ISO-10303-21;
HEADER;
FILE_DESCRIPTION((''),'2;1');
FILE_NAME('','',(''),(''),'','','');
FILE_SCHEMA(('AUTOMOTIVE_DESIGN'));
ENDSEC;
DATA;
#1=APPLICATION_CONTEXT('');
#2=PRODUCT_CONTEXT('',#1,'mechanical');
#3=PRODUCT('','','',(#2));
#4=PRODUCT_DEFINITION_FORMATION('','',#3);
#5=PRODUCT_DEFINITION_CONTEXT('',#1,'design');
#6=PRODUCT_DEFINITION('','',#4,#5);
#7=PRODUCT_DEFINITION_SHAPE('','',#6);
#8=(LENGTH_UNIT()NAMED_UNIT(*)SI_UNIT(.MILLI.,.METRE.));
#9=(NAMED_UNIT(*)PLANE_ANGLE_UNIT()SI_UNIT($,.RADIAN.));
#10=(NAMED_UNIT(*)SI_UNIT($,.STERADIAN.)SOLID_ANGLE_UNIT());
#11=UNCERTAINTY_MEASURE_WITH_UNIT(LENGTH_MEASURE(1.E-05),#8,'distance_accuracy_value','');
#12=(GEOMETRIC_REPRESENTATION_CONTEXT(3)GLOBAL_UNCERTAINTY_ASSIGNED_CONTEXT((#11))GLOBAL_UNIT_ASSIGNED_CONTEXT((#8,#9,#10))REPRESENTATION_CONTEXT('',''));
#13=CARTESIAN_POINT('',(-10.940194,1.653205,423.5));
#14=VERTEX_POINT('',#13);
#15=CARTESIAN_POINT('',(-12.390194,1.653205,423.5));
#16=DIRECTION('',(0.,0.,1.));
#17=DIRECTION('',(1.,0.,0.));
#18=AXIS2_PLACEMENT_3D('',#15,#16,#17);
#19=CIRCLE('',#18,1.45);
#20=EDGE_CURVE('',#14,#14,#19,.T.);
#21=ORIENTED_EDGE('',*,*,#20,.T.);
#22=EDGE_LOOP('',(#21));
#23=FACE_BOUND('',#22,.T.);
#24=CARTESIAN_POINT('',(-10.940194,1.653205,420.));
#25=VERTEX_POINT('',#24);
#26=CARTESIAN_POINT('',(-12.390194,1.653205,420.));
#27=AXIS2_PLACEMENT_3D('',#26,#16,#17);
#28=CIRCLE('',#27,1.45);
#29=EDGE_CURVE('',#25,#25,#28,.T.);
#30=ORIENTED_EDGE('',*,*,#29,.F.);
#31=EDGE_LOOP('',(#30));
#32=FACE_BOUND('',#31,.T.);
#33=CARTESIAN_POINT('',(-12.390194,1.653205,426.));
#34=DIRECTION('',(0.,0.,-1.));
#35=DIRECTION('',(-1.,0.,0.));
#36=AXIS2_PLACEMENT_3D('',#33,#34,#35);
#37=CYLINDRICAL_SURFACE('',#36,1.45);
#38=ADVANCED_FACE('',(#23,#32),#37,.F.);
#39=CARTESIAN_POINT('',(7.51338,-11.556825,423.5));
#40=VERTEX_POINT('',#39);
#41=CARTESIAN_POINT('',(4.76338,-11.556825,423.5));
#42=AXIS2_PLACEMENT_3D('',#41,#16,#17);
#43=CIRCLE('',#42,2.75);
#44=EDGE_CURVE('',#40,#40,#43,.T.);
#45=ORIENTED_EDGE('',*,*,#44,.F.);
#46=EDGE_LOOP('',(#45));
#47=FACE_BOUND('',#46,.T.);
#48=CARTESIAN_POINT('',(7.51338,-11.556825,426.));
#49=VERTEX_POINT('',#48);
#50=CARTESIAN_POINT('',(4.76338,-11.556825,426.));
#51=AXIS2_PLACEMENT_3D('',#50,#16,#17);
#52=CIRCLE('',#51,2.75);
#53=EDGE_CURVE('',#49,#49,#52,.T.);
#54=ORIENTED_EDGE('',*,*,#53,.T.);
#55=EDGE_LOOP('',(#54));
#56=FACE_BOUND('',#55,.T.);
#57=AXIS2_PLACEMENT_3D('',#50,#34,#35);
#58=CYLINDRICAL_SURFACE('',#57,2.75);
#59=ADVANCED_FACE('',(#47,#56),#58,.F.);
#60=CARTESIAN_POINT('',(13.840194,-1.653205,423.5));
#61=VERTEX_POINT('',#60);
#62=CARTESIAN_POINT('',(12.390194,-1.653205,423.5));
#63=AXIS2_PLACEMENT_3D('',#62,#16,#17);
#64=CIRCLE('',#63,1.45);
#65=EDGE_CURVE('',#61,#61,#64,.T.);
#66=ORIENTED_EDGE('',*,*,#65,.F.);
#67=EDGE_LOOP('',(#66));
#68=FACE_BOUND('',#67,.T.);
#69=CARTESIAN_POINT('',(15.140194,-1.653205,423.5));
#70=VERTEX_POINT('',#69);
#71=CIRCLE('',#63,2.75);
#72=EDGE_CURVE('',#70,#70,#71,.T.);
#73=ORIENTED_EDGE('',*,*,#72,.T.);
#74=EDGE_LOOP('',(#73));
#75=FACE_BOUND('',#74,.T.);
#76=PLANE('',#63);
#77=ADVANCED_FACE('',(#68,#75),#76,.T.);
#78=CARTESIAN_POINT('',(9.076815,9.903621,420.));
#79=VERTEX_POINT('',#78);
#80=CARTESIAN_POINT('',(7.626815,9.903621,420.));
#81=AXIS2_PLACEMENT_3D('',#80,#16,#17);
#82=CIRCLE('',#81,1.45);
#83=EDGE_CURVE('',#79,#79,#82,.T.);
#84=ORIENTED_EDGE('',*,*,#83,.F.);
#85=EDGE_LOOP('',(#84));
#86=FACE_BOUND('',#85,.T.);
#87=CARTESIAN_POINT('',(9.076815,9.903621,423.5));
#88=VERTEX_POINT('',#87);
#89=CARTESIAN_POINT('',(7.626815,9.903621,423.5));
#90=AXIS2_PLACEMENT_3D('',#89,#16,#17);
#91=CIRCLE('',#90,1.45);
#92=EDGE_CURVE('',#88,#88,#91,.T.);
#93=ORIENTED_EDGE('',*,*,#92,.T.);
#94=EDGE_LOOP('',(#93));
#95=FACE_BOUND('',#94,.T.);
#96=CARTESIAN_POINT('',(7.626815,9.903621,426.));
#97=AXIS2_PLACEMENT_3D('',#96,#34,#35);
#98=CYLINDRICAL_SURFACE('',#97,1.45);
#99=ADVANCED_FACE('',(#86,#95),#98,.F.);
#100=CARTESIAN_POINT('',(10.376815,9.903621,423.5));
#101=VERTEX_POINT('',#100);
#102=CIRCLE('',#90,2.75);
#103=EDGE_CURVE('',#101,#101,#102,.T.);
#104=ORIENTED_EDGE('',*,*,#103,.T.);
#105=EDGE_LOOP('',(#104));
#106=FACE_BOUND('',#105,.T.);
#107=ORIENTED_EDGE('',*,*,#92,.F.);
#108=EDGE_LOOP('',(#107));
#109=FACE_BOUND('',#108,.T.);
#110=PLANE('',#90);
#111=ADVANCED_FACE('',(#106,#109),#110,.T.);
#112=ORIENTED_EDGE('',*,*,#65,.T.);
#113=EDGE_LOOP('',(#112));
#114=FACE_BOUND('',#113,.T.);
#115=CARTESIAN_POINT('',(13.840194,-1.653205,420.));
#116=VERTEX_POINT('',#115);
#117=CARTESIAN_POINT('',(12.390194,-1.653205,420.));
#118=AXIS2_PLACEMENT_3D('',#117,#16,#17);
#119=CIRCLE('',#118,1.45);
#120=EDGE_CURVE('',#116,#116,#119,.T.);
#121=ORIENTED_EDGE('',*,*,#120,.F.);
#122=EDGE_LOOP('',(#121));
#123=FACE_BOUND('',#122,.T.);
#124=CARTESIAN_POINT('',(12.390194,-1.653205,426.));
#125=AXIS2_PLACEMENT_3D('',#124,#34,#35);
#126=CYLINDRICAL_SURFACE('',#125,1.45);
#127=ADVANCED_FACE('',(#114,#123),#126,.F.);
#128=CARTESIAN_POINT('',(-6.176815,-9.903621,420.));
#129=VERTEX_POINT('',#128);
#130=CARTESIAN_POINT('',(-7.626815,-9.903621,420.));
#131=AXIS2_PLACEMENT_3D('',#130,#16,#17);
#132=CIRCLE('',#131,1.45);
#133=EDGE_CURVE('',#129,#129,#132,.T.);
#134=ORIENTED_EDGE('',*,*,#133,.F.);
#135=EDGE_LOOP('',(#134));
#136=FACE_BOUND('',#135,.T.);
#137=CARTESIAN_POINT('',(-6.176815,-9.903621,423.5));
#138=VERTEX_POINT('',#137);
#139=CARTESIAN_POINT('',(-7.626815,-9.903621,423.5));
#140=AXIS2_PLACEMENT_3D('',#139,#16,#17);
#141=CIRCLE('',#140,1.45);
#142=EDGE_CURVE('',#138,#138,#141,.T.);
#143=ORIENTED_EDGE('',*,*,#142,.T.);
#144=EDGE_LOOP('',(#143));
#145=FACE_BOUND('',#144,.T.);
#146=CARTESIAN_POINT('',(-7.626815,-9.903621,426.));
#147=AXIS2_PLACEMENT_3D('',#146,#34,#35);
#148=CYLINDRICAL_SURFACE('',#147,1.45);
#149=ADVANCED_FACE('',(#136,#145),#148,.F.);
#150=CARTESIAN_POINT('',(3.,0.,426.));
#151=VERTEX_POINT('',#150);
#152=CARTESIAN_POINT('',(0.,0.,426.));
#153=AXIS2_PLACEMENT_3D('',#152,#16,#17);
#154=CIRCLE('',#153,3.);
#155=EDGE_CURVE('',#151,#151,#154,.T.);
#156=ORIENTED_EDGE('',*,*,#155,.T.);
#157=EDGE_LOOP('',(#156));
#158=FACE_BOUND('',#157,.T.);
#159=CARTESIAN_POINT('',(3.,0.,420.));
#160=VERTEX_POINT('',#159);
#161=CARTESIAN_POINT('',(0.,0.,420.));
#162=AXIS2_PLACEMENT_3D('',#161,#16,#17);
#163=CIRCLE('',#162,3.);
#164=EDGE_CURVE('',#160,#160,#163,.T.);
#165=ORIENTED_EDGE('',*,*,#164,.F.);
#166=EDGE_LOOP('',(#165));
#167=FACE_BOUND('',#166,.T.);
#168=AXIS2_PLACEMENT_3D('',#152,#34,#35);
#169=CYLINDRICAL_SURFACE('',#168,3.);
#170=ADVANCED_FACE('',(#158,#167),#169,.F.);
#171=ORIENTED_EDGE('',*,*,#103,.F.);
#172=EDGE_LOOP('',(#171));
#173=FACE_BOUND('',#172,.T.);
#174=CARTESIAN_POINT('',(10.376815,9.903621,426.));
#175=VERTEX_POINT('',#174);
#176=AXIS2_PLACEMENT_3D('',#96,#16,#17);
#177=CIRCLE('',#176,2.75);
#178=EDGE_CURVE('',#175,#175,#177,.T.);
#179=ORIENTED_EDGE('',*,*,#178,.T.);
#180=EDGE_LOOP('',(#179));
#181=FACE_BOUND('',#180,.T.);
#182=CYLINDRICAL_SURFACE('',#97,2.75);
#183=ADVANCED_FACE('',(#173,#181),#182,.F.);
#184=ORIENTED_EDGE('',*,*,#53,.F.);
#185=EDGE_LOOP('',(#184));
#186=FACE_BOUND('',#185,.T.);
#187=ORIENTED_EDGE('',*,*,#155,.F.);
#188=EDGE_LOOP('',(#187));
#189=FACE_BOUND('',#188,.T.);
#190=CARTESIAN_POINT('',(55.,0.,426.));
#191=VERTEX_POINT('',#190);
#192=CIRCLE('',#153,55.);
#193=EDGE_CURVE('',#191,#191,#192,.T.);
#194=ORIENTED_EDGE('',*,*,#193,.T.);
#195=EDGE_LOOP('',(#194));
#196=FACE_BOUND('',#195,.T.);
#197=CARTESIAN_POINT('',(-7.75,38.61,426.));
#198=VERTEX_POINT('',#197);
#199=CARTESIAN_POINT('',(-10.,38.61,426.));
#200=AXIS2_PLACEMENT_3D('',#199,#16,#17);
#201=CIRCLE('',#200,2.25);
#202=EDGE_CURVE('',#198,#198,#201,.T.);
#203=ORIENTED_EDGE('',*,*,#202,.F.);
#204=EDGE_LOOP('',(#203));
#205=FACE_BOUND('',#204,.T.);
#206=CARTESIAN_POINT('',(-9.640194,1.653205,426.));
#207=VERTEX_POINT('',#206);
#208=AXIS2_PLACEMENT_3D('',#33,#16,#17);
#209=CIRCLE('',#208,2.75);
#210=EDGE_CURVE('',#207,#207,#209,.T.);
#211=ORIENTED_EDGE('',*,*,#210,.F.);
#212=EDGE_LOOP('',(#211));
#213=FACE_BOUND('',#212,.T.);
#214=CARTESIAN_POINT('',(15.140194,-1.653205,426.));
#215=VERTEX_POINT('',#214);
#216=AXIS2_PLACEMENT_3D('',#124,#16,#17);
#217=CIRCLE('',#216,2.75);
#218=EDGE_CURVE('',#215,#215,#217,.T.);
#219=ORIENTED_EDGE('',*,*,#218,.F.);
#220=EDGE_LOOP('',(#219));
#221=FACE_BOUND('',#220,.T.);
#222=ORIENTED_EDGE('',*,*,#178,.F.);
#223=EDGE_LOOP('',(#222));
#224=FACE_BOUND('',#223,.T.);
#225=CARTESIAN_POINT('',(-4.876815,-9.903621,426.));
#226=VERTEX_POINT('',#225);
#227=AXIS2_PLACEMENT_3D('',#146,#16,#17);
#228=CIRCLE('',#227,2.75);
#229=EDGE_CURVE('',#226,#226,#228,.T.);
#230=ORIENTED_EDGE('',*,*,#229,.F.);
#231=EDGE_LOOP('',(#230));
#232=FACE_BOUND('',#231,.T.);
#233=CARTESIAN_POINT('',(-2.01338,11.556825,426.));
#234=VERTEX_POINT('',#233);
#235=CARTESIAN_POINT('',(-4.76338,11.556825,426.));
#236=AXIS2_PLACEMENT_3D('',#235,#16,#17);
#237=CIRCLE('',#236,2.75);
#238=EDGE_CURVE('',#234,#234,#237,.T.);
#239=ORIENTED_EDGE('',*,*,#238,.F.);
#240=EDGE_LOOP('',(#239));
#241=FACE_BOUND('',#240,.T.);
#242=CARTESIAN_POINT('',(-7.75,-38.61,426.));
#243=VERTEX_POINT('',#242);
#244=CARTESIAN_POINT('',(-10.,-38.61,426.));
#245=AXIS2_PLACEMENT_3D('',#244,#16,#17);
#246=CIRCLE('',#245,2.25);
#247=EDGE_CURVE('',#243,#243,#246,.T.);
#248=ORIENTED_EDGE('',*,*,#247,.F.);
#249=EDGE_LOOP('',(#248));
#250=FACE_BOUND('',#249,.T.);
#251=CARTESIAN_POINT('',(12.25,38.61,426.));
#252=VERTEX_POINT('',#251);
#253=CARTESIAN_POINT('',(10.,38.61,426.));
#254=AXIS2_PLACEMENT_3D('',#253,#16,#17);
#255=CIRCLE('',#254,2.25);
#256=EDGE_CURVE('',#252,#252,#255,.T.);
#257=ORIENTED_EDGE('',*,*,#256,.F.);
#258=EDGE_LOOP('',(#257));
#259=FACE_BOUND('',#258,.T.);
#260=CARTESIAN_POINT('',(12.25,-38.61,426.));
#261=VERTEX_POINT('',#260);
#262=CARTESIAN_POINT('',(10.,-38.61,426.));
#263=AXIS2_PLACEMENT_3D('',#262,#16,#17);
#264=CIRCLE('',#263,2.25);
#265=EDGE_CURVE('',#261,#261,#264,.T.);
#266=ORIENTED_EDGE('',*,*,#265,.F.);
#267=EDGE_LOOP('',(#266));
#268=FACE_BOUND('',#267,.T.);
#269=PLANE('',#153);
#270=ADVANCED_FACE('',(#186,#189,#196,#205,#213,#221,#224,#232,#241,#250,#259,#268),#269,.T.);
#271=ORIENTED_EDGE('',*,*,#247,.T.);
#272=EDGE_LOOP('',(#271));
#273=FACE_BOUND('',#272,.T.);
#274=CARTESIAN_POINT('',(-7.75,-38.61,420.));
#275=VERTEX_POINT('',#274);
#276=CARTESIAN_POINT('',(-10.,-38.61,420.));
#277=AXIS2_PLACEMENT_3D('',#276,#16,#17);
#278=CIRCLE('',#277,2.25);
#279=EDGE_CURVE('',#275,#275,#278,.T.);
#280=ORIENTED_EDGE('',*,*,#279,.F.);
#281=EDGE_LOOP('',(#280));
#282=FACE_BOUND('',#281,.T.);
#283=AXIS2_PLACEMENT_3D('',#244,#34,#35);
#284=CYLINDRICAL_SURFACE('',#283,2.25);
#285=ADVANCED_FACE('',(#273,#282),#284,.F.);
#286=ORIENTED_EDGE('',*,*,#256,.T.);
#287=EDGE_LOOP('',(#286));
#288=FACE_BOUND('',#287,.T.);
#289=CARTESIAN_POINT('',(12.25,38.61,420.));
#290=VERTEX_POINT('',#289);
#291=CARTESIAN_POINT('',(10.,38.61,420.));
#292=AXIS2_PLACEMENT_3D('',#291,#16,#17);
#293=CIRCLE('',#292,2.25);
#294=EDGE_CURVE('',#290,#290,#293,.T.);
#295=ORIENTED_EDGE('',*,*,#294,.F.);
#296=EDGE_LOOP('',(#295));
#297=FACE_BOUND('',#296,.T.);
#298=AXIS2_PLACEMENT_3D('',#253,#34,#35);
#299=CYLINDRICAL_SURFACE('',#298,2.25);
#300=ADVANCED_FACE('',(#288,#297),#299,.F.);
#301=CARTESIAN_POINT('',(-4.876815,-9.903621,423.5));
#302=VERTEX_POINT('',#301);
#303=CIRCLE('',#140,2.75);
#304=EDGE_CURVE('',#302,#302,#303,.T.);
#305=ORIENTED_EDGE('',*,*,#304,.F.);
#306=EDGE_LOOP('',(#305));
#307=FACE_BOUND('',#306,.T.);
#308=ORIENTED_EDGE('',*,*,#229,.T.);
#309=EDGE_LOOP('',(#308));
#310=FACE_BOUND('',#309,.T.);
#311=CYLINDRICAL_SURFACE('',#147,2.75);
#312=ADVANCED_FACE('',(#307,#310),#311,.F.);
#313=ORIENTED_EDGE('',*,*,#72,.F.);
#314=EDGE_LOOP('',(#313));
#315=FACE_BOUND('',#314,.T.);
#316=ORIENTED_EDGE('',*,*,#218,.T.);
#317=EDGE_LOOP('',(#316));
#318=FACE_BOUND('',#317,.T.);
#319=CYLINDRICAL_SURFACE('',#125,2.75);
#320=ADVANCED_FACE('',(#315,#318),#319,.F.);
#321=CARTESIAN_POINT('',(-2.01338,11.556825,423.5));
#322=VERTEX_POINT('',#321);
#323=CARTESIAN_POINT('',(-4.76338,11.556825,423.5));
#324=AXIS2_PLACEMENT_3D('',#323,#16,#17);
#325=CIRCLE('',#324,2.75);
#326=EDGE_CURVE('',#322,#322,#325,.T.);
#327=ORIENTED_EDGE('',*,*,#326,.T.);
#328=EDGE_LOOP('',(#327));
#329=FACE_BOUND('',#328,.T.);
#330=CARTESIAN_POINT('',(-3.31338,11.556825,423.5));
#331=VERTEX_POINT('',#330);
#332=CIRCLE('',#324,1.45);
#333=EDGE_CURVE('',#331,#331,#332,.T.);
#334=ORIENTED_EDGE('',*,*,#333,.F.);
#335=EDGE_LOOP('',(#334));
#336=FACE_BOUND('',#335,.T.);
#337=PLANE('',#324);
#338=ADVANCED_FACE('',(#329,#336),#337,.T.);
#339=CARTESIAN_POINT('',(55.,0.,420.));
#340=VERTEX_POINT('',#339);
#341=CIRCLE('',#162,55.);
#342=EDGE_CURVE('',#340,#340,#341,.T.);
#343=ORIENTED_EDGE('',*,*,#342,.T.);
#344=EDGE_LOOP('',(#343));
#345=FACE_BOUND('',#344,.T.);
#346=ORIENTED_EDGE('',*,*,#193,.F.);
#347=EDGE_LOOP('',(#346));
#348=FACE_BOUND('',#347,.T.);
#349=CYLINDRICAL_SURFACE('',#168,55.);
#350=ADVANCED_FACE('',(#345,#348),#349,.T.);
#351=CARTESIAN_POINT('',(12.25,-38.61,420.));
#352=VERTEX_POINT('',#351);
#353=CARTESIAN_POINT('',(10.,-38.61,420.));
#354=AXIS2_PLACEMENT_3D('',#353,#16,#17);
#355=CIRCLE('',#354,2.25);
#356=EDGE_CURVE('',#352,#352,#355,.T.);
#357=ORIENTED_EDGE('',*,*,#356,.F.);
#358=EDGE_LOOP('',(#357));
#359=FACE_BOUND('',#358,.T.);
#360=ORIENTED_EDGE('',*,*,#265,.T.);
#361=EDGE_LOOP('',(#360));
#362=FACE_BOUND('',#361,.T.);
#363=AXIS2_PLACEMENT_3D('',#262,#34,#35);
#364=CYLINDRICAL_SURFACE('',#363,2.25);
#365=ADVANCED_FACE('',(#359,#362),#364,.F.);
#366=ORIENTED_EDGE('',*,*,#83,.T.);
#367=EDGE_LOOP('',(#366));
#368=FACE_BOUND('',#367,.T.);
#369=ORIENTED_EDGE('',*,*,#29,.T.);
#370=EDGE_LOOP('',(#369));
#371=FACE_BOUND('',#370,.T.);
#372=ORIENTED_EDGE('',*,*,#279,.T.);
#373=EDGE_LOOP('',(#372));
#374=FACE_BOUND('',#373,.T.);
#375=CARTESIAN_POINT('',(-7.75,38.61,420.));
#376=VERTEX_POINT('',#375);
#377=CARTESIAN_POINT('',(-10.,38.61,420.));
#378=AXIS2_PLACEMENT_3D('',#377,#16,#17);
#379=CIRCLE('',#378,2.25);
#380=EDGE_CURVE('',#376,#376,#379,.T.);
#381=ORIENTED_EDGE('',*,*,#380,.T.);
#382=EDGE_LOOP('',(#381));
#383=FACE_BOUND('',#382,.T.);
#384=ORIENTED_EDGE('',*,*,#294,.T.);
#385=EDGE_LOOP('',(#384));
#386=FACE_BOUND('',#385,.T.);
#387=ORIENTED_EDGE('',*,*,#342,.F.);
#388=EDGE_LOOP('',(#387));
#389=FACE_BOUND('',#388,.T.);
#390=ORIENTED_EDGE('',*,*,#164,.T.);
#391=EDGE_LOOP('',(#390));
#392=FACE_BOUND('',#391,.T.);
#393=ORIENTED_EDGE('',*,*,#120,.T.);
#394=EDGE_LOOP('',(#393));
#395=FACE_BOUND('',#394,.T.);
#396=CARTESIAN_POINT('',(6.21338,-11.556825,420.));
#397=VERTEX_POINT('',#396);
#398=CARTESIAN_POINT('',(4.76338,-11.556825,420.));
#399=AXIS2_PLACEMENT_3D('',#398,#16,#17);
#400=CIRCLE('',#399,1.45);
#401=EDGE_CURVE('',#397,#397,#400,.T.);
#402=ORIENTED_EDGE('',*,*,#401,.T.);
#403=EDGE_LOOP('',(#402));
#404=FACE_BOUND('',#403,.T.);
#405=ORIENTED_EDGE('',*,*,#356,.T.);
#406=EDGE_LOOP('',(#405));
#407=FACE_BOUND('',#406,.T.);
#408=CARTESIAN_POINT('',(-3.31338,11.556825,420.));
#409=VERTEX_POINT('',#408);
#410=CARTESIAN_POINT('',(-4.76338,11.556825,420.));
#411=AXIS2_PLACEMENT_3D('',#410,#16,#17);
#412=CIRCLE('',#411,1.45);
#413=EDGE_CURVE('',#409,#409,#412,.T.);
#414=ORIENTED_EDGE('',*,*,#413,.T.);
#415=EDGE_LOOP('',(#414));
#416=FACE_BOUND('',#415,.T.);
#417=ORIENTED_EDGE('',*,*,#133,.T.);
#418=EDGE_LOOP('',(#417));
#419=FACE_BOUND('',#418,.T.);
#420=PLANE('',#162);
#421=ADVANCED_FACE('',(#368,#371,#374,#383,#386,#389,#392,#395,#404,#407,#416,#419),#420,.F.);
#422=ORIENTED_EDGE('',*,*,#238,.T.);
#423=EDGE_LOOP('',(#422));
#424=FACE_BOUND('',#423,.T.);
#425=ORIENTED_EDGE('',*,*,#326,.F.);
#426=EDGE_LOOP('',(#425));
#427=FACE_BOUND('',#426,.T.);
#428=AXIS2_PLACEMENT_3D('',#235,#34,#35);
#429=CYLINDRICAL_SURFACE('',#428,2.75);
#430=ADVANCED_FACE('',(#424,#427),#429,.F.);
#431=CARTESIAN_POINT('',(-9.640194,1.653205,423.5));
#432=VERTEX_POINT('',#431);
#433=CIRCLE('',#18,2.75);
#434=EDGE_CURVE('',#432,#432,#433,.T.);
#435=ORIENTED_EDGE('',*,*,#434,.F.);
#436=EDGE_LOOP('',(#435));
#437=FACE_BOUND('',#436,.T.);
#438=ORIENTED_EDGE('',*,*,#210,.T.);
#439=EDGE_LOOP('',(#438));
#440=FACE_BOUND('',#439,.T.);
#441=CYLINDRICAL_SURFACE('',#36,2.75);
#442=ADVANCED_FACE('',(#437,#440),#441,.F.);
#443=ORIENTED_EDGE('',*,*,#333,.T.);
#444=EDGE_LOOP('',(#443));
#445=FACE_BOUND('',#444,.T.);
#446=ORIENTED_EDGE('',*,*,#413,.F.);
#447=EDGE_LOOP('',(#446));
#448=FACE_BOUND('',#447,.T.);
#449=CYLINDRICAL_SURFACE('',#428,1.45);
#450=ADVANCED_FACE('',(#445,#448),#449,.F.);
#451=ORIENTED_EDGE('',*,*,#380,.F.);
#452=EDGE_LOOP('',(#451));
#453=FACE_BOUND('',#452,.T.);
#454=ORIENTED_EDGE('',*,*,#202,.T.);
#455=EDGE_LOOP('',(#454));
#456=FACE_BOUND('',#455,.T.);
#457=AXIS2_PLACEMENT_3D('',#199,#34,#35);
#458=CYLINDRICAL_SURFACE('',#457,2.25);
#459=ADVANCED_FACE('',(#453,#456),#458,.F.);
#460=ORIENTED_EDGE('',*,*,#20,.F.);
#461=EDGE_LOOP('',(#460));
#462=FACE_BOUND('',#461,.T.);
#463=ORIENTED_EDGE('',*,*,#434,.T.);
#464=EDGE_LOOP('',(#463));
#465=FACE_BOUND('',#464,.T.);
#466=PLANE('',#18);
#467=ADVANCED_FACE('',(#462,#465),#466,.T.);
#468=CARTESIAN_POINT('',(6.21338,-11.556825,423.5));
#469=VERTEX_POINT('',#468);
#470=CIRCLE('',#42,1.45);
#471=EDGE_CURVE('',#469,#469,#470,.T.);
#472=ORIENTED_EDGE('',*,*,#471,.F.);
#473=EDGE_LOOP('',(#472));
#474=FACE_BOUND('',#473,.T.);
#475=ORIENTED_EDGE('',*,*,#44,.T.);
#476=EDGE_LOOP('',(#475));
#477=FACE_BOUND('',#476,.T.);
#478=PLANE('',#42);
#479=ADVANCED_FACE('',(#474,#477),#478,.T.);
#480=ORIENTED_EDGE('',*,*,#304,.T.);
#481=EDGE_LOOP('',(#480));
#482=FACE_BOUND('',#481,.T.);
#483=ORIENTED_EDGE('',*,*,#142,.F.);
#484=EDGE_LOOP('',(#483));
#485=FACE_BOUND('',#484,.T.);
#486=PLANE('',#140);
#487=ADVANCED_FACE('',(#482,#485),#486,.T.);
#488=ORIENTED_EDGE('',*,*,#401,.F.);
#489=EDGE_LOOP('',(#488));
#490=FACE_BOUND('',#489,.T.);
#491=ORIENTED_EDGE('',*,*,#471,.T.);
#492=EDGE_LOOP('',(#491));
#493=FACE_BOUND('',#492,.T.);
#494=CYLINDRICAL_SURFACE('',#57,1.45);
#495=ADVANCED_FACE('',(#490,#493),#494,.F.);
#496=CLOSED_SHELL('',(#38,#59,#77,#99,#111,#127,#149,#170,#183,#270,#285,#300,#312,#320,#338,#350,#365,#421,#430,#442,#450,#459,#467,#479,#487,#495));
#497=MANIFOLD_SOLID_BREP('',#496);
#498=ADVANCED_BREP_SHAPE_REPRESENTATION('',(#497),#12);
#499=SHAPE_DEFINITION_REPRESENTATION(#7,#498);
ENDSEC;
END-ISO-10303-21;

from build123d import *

# Parameters (mm, degrees)
DISCO_START                  = 420
SK_DISCO_R                   = 55
DISCO_DEPTH                  = 6
PASANTES_M2_5_ROTOR_J4_START = 420
SK_PASANTES_M2_5_ROTOR_J4_R  = 1.45
PASANTES_M2_5_ROTOR_J4_DEPTH = 6
CAJAS_M2_5_START             = 423.5
SK_CAJAS_M2_5_R              = 2.75
CAJAS_M2_5_DEPTH             = 2.5
PASO_CABLE_START             = 420
SK_PASO_CABLE_R              = 3
PASO_CABLE_DEPTH             = 6
PASANTES_M4_ANGULOS_START    = 420
SK_PASANTES_M4_ANGULOS_R     = 2.25
PASANTES_M4_ANGULOS_DEPTH    = 6


with BuildPart() as part:
    # Sk_Disco → Disco (new body)
    with BuildSketch(Plane.XY.offset(DISCO_START)):
        Circle(SK_DISCO_R)
    extrude(amount=DISCO_DEPTH)

    # Sk_Pasantes_M2-5_rotor_J4 → Pasantes_M2-5_rotor_J4 (cut)
    with BuildSketch(Plane.XY.offset(PASANTES_M2_5_ROTOR_J4_START)):
        with Locations((12.390194253, -1.653204878)):
            Circle(SK_PASANTES_M2_5_ROTOR_J4_R)
        with Locations((7.626814549, 9.903620542)):
            Circle(SK_PASANTES_M2_5_ROTOR_J4_R)
        with Locations((-4.763379704, 11.55682542)):
            Circle(SK_PASANTES_M2_5_ROTOR_J4_R)
        with Locations((-12.390194253, 1.653204878)):
            Circle(SK_PASANTES_M2_5_ROTOR_J4_R)
        with Locations((-7.626814549, -9.903620542)):
            Circle(SK_PASANTES_M2_5_ROTOR_J4_R)
        with Locations((4.763379704, -11.55682542)):
            Circle(SK_PASANTES_M2_5_ROTOR_J4_R)
    extrude(amount=PASANTES_M2_5_ROTOR_J4_DEPTH, mode=Mode.SUBTRACT)

    # Sk_Cajas_M2-5 → Cajas_M2-5 (cut)
    with BuildSketch(Plane.XY.offset(CAJAS_M2_5_START)):
        with Locations((12.390194253, -1.653204878)):
            Circle(SK_CAJAS_M2_5_R)
        with Locations((7.626814549, 9.903620542)):
            Circle(SK_CAJAS_M2_5_R)
        with Locations((-4.763379704, 11.55682542)):
            Circle(SK_CAJAS_M2_5_R)
        with Locations((-12.390194253, 1.653204878)):
            Circle(SK_CAJAS_M2_5_R)
        with Locations((-7.626814549, -9.903620542)):
            Circle(SK_CAJAS_M2_5_R)
        with Locations((4.763379704, -11.55682542)):
            Circle(SK_CAJAS_M2_5_R)
    extrude(amount=CAJAS_M2_5_DEPTH, mode=Mode.SUBTRACT)

    # Sk_Paso_cable → Paso_cable (cut)
    with BuildSketch(Plane.XY.offset(PASO_CABLE_START)):
        Circle(SK_PASO_CABLE_R)
    extrude(amount=PASO_CABLE_DEPTH, mode=Mode.SUBTRACT)

    # Sk_Pasantes_M4_angulos → Pasantes_M4_angulos (cut)
    with BuildSketch(Plane.XY.offset(PASANTES_M4_ANGULOS_START)):
        with Locations((-10, -38.61)):
            Circle(SK_PASANTES_M4_ANGULOS_R)
        with Locations((-10, 38.61)):
            Circle(SK_PASANTES_M4_ANGULOS_R)
        with Locations((10, -38.61)):
            Circle(SK_PASANTES_M4_ANGULOS_R)
        with Locations((10, 38.61)):
            Circle(SK_PASANTES_M4_ANGULOS_R)
    extrude(amount=PASANTES_M4_ANGULOS_DEPTH, mode=Mode.SUBTRACT)


solid = part.part
